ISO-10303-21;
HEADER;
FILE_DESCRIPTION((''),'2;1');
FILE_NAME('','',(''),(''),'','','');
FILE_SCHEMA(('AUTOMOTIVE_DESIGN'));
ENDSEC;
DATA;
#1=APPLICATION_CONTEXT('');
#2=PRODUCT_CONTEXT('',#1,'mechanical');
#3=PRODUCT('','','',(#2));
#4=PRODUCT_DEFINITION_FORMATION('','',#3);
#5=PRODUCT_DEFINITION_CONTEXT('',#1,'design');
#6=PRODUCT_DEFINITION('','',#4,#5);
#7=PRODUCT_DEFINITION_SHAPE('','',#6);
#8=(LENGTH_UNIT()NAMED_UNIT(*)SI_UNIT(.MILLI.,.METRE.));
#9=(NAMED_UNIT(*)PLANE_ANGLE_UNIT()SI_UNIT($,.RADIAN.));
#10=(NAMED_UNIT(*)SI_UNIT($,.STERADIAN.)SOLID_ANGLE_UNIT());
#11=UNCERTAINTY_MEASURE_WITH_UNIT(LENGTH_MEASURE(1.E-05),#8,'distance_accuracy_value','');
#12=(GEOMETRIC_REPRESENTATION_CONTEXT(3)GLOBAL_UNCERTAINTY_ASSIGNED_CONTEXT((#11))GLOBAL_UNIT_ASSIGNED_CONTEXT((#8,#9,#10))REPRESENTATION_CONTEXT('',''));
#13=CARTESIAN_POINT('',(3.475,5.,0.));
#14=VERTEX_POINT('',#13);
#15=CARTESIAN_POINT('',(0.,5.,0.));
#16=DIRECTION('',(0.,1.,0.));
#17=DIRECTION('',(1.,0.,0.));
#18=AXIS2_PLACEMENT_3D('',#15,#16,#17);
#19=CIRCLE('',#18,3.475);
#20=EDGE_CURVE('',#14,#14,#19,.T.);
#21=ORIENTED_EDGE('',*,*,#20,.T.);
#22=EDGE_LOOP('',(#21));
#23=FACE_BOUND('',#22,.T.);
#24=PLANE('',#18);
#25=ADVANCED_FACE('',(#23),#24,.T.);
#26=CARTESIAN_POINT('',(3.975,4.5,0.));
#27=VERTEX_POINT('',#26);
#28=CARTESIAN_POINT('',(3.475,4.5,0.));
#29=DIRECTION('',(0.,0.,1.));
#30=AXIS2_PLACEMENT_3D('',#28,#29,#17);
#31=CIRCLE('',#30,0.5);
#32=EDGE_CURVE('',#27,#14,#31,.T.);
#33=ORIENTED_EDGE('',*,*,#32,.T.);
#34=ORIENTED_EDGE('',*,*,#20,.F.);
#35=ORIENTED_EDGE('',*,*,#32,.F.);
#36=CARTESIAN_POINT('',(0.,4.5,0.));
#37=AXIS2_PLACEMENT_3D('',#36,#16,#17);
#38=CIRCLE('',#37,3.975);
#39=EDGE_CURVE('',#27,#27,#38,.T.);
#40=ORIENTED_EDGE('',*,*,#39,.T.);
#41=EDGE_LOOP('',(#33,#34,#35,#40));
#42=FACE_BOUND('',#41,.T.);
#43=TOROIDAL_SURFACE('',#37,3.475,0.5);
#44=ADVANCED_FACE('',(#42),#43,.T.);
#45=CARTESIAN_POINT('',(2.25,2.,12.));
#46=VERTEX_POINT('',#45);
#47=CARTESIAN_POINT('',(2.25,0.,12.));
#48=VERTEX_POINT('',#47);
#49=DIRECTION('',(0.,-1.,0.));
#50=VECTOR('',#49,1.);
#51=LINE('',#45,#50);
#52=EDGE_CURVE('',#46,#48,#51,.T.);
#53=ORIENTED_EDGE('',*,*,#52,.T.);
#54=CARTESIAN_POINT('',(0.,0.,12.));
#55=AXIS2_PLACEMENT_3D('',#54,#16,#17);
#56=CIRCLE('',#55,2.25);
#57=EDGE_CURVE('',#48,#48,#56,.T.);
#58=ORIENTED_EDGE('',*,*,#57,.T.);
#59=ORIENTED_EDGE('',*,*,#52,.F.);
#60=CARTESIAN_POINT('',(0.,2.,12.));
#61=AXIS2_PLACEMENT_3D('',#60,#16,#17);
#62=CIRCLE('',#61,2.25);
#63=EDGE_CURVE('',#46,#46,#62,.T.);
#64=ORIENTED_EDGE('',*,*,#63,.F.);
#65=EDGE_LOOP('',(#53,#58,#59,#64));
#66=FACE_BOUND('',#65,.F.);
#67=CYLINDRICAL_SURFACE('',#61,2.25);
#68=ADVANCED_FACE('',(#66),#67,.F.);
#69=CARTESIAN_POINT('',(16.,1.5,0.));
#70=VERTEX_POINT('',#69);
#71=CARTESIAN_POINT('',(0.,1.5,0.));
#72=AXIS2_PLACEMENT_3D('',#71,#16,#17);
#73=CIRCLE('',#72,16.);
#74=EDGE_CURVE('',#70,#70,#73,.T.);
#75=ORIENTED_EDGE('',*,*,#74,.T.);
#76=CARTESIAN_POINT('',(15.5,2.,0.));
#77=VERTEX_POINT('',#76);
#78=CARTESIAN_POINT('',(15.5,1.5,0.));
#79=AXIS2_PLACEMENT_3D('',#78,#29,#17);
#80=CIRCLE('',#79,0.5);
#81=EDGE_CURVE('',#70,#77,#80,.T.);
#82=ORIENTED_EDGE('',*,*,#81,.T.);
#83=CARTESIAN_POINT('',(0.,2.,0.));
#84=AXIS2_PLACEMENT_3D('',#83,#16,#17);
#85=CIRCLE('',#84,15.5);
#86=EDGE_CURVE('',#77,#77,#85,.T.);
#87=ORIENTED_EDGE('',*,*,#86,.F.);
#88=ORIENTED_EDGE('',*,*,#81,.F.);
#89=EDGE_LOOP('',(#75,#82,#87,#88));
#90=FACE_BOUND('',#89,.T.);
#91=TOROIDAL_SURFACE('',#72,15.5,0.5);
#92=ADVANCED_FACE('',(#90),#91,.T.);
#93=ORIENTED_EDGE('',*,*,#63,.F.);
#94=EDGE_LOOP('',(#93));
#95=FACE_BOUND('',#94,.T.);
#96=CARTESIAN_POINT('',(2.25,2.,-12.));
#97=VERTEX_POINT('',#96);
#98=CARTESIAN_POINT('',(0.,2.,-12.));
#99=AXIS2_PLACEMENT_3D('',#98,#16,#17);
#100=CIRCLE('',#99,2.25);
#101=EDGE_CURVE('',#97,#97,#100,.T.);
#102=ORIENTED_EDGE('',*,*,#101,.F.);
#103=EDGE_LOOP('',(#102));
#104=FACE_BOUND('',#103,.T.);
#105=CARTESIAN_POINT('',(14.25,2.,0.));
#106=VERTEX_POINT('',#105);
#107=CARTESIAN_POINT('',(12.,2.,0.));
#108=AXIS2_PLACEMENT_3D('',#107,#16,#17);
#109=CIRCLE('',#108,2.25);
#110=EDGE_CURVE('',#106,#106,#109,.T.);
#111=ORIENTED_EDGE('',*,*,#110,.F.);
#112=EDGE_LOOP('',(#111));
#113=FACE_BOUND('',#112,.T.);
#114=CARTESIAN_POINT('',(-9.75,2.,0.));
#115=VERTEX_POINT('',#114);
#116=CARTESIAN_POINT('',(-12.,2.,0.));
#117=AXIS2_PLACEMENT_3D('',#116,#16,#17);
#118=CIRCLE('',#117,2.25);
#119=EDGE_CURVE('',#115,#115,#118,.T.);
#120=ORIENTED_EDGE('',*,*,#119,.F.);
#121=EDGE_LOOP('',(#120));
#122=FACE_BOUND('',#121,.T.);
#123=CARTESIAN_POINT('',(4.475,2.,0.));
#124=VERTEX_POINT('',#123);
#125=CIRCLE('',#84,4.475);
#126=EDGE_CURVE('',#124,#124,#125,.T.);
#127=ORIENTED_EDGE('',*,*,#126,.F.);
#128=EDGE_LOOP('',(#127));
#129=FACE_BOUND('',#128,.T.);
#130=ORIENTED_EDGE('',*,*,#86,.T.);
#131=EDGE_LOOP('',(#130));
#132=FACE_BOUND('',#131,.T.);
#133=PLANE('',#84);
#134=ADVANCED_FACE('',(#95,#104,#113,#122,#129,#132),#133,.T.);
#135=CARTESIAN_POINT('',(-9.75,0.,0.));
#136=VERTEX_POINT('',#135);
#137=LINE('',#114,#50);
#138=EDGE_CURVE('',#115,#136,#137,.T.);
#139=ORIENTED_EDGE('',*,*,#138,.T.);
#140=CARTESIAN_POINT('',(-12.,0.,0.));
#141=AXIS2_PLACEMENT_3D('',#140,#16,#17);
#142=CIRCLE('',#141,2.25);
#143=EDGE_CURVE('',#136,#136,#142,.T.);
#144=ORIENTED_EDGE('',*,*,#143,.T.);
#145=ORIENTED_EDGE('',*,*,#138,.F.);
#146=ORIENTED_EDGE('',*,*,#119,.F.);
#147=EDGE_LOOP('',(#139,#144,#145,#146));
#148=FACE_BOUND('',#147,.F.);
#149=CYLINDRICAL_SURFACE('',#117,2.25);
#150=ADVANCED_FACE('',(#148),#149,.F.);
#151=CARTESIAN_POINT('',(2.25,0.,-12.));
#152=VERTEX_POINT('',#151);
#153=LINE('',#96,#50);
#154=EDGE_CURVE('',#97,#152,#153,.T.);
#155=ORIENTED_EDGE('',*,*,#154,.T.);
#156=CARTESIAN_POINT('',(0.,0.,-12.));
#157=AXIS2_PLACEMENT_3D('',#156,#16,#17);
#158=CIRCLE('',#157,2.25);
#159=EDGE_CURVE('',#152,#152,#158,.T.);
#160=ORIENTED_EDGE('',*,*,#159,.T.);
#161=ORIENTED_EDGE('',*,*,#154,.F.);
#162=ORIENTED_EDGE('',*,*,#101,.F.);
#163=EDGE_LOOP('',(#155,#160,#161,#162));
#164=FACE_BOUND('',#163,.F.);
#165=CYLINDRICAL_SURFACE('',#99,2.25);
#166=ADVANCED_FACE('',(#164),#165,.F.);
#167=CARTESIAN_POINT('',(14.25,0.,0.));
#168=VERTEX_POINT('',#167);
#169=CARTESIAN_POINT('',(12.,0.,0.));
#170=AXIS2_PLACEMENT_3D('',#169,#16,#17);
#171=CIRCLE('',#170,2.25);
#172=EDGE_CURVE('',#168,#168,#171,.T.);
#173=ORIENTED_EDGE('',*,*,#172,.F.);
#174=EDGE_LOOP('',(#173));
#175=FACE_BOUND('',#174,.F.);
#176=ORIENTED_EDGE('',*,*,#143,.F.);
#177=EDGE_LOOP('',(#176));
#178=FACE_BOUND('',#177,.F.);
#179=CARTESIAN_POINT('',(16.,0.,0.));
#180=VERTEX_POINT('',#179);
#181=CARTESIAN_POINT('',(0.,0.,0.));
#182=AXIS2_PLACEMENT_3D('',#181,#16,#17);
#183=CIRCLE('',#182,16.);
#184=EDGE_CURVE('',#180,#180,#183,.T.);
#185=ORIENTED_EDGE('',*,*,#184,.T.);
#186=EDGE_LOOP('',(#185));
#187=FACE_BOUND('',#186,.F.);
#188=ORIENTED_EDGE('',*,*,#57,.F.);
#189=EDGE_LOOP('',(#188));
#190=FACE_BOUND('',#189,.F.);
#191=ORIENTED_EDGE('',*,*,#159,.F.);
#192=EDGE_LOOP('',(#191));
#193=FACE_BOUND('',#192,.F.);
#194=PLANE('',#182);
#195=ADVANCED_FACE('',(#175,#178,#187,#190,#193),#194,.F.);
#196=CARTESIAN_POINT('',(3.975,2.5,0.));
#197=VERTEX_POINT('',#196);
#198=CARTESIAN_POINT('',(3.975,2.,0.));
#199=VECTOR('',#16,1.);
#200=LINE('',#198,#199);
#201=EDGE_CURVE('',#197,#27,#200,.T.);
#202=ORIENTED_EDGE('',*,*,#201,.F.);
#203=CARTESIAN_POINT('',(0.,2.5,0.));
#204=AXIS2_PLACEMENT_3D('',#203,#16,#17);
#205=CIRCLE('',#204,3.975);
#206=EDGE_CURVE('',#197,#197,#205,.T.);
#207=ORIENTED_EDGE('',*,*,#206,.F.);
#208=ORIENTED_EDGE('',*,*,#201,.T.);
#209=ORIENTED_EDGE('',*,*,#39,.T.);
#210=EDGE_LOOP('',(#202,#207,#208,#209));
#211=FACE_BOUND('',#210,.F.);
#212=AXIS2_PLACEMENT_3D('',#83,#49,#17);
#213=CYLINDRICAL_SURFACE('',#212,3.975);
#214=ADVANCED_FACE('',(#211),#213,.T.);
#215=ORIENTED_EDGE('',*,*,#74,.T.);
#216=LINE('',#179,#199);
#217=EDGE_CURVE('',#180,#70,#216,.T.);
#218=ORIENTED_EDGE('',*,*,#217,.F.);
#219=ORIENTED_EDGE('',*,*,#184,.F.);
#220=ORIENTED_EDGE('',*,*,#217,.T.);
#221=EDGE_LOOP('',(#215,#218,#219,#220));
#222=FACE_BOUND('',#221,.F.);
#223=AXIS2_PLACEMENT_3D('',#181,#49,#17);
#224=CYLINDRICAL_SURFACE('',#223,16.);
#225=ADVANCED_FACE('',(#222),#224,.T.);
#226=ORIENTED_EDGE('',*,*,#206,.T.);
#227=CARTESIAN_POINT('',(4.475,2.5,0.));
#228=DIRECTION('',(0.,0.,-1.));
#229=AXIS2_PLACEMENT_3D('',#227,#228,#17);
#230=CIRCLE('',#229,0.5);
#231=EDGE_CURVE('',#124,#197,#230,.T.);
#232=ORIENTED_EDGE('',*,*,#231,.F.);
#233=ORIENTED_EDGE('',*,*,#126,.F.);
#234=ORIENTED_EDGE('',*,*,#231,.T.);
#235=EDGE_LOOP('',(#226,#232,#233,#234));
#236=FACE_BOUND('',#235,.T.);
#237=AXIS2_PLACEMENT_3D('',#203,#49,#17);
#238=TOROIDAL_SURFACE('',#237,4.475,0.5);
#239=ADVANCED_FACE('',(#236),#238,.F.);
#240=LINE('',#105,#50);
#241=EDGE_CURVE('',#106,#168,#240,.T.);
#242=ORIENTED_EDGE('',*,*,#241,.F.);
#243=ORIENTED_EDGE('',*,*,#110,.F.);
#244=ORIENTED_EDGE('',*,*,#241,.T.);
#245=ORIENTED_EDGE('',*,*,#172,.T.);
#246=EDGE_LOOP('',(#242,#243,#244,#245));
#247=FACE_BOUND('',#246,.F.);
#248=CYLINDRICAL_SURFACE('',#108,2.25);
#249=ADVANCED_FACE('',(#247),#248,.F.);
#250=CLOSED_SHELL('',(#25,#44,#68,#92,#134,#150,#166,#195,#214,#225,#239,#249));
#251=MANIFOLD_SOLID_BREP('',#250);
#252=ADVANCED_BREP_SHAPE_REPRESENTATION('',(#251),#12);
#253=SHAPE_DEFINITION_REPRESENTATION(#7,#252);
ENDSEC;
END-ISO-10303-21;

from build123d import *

# Parameters (mm, degrees)
SKETCH1_R           = 16
BOSS_EXTRUDE1_DEPTH = 2
SKETCH5_R           = 2.25
CUT_EXTRUDE1_DEPTH  = 3
SKETCH6_R           = 3.975
BOSS_EXTRUDE2_DEPTH = 3
FILLET1_R           = 0.5


with BuildPart() as part:
    # Sketch1 → Boss-Extrude1 (new body)
    with BuildSketch(Plane(origin=(0, 0, 0), x_dir=(1, 0, 0), z_dir=(0, 1, 0))):
        Circle(SKETCH1_R)
    extrude(amount=BOSS_EXTRUDE1_DEPTH)

    # Sketch5 → Cut-Extrude1 (cut, through all)
    with BuildSketch(Plane(origin=(0, 2, 0), x_dir=(1, 0, 0), z_dir=(0, 1, 0))):
        with Locations((0, 12)):
            Circle(SKETCH5_R)
        with Locations((12, 0)):
            Circle(SKETCH5_R)
        with Locations((0, -12)):
            Circle(SKETCH5_R)
        with Locations((-12, 0)):
            Circle(SKETCH5_R)
    extrude(amount=-CUT_EXTRUDE1_DEPTH, mode=Mode.SUBTRACT)

    # Sketch6 → Boss-Extrude2 (add)
    with BuildSketch(Plane(origin=(0, 2, 0), x_dir=(1, 0, 0), z_dir=(0, 1, 0))):
        Circle(SKETCH6_R)
    extrude(amount=BOSS_EXTRUDE2_DEPTH)

    # Fillet1
    fillet1_edges = [part.edges().sort_by_distance(p)[0] for p in [
        (-3.975, 2, 0),
        (-3.975, 5, 0),
        (-16, 2, 0),
    ]]
    fillet(fillet1_edges, radius=FILLET1_R)


solid = part.part
